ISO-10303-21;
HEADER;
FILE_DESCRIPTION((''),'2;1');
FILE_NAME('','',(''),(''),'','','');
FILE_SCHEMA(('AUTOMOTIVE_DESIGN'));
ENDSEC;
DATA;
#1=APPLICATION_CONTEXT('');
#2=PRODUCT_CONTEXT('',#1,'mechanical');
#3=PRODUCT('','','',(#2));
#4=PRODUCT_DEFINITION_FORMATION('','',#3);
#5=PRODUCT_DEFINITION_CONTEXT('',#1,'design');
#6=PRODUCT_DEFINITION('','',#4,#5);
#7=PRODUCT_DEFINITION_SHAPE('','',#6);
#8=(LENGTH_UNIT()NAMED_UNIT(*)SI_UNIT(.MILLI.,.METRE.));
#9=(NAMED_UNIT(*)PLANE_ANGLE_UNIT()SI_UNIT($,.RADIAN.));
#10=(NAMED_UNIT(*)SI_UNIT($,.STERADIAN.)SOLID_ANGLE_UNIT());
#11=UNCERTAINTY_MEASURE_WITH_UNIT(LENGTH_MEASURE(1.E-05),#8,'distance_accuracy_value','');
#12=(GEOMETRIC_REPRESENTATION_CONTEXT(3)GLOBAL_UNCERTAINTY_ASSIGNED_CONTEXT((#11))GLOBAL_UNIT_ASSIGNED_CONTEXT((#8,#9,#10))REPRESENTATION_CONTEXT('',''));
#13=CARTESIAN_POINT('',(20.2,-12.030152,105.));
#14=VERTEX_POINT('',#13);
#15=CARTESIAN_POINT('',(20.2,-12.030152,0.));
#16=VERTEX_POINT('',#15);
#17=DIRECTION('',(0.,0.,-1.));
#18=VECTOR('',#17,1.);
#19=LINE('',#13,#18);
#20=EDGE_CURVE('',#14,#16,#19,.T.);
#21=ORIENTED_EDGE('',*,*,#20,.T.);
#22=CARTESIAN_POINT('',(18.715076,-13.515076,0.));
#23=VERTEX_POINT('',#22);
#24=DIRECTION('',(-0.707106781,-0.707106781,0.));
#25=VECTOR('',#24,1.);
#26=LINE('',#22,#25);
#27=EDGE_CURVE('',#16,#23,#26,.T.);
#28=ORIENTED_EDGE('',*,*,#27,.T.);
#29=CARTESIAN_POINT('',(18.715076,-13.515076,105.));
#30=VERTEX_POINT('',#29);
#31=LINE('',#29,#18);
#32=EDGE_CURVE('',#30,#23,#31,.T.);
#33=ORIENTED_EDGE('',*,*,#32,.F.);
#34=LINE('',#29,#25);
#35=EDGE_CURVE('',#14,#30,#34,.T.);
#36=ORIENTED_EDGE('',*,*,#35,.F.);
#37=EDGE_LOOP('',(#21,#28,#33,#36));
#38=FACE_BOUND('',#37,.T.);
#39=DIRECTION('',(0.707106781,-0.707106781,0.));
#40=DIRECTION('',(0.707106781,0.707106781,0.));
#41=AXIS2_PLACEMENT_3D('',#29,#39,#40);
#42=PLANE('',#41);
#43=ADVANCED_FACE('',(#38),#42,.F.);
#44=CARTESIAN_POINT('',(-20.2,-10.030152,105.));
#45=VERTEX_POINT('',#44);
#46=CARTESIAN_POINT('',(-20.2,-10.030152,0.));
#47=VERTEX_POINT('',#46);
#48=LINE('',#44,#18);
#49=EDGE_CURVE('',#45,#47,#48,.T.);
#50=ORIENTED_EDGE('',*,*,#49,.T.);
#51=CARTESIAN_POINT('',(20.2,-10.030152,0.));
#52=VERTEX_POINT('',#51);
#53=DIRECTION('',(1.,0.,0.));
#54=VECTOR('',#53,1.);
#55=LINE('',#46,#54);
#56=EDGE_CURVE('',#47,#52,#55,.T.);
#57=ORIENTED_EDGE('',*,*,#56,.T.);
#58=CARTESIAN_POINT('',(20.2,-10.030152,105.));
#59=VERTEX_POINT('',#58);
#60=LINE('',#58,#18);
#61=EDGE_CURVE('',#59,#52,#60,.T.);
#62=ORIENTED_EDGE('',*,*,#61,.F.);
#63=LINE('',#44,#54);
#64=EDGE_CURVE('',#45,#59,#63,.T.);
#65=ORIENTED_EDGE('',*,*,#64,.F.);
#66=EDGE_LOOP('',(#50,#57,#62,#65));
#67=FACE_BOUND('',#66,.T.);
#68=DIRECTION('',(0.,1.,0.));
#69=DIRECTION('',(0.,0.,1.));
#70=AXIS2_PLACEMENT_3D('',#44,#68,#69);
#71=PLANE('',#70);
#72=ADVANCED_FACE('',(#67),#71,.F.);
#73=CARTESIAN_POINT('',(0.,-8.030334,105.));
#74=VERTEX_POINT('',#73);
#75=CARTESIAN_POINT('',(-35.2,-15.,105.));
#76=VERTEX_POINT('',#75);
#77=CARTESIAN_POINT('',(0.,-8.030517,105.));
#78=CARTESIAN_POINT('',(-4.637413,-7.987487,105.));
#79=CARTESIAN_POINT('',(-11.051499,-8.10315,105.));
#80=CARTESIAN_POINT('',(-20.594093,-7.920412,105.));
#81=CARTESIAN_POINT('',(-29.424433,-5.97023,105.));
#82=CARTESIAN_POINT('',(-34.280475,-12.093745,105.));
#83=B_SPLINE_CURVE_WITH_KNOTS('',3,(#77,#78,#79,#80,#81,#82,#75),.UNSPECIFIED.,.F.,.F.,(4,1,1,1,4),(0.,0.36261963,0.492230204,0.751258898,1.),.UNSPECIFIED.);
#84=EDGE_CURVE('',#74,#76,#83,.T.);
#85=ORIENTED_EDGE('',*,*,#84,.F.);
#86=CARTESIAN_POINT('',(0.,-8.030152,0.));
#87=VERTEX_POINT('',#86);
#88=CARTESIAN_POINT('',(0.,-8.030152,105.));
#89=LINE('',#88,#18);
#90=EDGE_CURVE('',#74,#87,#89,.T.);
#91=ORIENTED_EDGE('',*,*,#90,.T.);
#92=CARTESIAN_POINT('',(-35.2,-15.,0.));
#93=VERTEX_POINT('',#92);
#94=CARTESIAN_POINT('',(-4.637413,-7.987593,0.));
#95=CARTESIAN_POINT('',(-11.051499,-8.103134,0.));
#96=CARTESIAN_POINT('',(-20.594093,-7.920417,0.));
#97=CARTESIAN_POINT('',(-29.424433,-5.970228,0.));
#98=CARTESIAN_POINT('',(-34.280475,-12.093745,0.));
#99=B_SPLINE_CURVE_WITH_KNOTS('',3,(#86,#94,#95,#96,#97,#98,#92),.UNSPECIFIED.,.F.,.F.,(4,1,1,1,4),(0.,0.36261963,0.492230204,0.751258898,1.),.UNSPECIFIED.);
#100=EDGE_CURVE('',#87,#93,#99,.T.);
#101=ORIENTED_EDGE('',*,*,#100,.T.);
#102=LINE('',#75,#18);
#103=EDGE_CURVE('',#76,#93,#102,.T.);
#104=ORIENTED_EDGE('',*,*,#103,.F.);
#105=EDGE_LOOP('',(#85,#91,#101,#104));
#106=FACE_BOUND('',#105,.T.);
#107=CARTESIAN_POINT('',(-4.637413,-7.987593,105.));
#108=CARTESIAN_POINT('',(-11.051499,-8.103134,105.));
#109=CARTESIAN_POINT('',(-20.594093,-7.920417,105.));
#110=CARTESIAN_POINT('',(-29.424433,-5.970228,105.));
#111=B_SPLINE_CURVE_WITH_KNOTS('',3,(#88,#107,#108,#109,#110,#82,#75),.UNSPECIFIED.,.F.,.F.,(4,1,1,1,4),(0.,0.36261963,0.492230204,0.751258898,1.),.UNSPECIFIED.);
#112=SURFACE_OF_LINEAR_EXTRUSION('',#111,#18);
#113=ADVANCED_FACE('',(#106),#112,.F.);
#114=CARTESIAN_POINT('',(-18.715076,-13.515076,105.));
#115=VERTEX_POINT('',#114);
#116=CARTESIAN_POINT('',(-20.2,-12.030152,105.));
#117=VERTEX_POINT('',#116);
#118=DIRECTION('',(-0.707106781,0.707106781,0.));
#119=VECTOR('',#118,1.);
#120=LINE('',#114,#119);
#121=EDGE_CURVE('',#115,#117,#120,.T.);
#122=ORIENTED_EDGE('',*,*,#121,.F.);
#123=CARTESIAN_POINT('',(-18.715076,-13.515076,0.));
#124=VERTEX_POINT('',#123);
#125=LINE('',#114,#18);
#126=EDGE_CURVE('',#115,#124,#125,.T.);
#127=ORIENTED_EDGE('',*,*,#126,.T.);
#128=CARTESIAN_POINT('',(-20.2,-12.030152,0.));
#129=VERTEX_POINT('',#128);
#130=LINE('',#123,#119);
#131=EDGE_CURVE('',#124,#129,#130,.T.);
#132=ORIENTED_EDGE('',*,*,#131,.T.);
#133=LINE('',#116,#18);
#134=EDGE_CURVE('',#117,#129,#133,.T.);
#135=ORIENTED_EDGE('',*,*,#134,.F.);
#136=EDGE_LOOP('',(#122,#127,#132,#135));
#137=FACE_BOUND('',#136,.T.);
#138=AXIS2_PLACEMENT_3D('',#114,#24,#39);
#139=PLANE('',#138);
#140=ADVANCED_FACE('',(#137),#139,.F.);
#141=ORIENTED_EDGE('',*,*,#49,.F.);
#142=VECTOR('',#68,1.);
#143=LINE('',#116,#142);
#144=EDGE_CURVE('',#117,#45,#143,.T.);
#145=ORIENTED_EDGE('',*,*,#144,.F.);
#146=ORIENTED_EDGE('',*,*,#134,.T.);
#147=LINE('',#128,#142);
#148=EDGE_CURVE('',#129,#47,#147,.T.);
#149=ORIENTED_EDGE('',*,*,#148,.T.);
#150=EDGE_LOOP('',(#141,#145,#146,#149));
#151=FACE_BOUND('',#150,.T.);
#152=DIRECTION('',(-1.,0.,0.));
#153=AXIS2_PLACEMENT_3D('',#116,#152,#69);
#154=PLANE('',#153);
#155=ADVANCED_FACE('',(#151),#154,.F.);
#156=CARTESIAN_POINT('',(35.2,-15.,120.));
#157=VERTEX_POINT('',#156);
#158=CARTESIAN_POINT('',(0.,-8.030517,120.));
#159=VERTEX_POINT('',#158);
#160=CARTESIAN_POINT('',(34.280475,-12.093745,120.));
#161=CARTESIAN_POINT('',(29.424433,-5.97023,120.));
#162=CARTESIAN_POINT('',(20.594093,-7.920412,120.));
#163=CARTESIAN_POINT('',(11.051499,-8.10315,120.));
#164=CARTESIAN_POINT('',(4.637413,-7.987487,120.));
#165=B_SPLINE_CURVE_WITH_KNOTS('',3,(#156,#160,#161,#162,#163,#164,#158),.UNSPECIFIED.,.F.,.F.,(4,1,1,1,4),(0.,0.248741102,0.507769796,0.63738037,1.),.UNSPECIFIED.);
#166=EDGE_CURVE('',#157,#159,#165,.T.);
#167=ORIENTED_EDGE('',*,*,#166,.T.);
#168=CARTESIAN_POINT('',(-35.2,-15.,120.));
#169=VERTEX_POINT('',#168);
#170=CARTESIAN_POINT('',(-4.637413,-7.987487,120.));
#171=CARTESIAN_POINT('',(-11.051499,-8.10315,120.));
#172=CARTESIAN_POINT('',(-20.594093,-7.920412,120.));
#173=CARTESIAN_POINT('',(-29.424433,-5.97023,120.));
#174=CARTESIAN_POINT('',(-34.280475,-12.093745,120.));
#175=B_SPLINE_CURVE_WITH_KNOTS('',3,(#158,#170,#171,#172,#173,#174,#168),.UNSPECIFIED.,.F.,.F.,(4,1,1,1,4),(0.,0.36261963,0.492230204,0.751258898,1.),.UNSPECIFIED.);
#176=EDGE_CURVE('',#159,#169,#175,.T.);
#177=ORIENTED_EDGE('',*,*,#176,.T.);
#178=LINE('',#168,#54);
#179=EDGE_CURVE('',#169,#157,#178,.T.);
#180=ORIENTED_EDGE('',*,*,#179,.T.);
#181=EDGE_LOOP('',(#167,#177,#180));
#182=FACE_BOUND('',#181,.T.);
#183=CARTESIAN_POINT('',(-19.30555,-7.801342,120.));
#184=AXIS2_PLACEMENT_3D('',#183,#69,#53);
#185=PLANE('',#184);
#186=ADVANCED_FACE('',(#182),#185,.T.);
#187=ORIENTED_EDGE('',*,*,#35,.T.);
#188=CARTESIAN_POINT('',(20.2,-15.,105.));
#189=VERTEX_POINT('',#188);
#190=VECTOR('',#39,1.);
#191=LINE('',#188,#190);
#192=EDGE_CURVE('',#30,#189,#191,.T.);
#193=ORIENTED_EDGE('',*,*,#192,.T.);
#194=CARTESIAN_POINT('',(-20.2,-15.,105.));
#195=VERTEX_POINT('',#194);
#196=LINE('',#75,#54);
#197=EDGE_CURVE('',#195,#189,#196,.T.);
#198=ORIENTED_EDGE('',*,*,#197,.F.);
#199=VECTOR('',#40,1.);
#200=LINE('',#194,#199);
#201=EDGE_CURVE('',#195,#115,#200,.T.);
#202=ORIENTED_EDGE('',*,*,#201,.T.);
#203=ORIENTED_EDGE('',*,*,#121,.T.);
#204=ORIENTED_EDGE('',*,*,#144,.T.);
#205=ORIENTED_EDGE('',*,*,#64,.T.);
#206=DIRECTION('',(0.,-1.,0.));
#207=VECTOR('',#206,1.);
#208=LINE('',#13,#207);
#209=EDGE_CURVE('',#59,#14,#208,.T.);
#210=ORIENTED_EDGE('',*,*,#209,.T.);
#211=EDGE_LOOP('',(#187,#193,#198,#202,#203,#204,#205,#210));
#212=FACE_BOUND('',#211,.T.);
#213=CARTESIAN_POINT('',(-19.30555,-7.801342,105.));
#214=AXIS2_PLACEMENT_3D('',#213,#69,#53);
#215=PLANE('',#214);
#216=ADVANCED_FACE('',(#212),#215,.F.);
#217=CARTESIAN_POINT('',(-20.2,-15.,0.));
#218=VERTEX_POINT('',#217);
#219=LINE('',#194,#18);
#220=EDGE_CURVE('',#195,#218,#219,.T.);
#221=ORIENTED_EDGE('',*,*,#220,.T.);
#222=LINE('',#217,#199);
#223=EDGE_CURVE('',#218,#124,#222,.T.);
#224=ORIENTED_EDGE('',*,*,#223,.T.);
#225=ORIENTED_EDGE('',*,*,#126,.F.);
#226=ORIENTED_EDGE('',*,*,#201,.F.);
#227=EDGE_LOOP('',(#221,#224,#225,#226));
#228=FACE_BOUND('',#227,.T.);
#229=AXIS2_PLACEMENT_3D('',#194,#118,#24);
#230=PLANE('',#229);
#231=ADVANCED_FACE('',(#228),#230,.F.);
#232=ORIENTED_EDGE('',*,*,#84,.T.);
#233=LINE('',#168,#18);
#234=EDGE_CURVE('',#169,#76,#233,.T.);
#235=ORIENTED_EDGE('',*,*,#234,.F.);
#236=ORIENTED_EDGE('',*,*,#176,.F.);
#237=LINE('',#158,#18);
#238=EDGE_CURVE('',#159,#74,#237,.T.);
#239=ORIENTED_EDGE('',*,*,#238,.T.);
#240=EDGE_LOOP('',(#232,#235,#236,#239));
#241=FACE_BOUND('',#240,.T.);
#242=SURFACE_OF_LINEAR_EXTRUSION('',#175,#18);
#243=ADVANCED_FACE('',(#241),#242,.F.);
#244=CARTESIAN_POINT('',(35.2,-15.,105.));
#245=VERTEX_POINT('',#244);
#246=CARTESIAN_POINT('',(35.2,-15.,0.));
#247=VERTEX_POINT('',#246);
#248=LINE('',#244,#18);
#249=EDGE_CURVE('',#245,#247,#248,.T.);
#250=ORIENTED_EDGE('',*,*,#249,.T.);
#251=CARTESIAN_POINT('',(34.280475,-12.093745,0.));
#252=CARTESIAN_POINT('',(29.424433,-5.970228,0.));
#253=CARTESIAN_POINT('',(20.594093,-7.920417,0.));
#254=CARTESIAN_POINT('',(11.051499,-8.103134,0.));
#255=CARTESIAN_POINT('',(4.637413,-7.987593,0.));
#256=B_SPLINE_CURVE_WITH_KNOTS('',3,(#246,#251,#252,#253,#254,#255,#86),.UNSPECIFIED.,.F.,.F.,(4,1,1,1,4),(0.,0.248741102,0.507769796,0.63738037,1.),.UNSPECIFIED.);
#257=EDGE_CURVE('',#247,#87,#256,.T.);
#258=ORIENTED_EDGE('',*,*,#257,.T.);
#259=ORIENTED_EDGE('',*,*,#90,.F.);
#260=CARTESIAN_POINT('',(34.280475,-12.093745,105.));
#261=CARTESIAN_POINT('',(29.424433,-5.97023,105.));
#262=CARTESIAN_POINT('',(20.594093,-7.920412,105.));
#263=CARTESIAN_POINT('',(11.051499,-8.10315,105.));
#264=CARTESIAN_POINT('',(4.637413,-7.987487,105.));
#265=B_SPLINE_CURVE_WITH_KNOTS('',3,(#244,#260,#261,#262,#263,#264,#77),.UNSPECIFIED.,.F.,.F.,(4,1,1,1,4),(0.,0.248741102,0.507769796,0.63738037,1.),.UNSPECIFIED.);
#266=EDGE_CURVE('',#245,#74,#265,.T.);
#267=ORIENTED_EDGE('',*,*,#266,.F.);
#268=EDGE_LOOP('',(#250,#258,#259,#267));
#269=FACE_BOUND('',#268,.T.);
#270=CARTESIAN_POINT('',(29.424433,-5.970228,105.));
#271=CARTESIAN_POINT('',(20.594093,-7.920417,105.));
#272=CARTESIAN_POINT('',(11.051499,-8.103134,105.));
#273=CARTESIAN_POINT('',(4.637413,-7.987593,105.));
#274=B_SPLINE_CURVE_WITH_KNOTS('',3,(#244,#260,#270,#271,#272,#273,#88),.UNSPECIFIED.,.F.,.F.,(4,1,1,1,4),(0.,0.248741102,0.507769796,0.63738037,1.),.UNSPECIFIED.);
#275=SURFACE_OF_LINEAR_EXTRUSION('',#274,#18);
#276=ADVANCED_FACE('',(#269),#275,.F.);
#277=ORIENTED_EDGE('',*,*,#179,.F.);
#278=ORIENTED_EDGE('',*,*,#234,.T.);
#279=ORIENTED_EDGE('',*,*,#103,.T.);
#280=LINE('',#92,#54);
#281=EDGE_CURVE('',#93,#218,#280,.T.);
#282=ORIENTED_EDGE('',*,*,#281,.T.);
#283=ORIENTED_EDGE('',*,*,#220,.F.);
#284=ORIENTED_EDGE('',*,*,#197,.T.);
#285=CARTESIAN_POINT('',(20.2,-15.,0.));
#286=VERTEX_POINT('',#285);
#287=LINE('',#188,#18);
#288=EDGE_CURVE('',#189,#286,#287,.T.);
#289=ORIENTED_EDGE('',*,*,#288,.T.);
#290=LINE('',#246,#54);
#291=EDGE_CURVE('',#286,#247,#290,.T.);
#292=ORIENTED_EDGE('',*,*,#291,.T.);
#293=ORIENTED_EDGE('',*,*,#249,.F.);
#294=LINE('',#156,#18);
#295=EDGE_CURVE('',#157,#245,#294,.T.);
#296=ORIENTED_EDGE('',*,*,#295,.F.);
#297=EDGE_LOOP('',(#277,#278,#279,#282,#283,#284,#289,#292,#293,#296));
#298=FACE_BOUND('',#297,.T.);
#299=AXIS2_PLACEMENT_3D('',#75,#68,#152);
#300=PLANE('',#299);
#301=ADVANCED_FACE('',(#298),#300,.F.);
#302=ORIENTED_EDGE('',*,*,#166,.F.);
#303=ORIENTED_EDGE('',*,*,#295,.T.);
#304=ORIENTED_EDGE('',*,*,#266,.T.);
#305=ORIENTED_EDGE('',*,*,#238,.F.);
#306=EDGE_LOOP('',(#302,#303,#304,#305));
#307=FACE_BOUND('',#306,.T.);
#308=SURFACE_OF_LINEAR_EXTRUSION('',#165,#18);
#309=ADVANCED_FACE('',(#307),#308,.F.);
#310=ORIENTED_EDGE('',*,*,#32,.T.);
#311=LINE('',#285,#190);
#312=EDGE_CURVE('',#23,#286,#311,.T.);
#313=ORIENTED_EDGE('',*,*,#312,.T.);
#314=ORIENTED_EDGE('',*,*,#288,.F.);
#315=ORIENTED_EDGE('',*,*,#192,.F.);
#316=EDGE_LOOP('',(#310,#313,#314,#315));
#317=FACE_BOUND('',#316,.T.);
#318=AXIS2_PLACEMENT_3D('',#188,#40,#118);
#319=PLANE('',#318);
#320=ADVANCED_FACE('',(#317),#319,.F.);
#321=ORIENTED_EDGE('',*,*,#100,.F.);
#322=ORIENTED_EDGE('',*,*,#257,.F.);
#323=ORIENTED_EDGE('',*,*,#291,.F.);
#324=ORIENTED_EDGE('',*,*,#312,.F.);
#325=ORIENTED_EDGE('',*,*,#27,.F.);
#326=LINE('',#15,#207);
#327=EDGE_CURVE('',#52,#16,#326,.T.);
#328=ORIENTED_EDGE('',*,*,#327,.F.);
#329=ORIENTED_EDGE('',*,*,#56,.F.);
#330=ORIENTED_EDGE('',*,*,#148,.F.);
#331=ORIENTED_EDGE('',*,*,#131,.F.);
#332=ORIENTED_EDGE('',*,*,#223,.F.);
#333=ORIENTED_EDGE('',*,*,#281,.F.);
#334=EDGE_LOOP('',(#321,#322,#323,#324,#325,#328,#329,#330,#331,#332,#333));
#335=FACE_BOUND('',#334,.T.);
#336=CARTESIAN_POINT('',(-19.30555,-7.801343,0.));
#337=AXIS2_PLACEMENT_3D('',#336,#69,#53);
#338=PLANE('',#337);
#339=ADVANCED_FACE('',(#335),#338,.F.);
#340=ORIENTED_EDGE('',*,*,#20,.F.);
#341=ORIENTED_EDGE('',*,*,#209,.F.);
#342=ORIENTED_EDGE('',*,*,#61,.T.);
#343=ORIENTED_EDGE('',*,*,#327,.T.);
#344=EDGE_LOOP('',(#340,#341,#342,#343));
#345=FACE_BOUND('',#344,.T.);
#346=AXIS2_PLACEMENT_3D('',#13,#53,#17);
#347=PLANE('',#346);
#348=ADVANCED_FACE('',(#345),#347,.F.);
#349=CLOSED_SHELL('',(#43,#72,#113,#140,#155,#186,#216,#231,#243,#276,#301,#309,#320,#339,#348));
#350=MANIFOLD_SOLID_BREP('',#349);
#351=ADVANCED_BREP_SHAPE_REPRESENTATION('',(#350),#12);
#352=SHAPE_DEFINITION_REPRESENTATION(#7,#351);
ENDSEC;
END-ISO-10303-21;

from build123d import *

# Parameters (mm, degrees)
CORPO_DA_TAMPA_DEPTH = 105
TAMPA_SUPERIOR_DEPTH = 15


with BuildPart() as part:
    # Forma Principal → Corpo da Tampa (new body)
    with BuildSketch(Plane.XY):
        with BuildLine():
            Line((20.2, -12.030151519), (20.2, -10.030151519))
            Line((20.2, -10.030151519), (-20.2, -10.030151519))
            Line((-20.2, -10.030151519), (-20.2, -12.030151519))
            Line((-20.2, -12.030151519), (-18.71507576, -13.51507576))
            Line((-18.71507576, -13.51507576), (-20.2, -15))
            Line((-20.2, -15), (-35.2, -15))
            add(Edge.make_bspline(
                [(-35.2, -15), (-34.280475344, -12.093745364), (-29.42443277, -5.970228208), (-20.594092613, -7.920417436), (-11.051499012, -8.103133806), (-4.637412791, -7.987592699), (0, -8.030151519)],
                knots=[0, 0, 0, 0, 0.248741102, 0.507769796, 0.63738037, 1, 1, 1, 1], degree=3))
            add(Edge.make_bspline(
                [(35.2, -15), (34.280475344, -12.093745364), (29.42443277, -5.970228208), (20.594092613, -7.920417436), (11.051499012, -8.103133806), (4.637412791, -7.987592699), (0, -8.030151519)],
                knots=[0, 0, 0, 0, 0.248741102, 0.507769796, 0.63738037, 1, 1, 1, 1], degree=3))
            Line((35.2, -15), (20.2, -15))
            Line((20.2, -15), (18.71507576, -13.51507576))
            Line((18.71507576, -13.51507576), (20.2, -12.030151519))
        make_face()
    extrude(amount=CORPO_DA_TAMPA_DEPTH)

    # Esboço4 → Tampa Superior (add)
    with BuildSketch(Plane.XY.offset(105)):
        with BuildLine():
            Line((-35.2, -15), (35.2, -15))
            add(Edge.make_bspline(
                [(35.2, -15), (34.280475344, -12.093744684), (29.42443277, -5.97023045), (20.594092612, -7.920411928), (11.051499009, -8.103149978), (4.637412781, -7.987486804), (0, -8.030517111)],
                knots=[0, 0, 0, 0, 0.248741102, 0.507769796, 0.63738037, 1, 1, 1, 1], degree=3))
            add(Edge.make_bspline(
                [(-35.2, -15), (-34.280475344, -12.093744684), (-29.42443277, -5.97023045), (-20.594092612, -7.920411928), (-11.051499009, -8.103149978), (-4.637412781, -7.987486804), (0, -8.030517111)],
                knots=[0, 0, 0, 0, 0.248741102, 0.507769796, 0.63738037, 1, 1, 1, 1], degree=3))
        make_face()
    extrude(amount=TAMPA_SUPERIOR_DEPTH)


solid = part.part
